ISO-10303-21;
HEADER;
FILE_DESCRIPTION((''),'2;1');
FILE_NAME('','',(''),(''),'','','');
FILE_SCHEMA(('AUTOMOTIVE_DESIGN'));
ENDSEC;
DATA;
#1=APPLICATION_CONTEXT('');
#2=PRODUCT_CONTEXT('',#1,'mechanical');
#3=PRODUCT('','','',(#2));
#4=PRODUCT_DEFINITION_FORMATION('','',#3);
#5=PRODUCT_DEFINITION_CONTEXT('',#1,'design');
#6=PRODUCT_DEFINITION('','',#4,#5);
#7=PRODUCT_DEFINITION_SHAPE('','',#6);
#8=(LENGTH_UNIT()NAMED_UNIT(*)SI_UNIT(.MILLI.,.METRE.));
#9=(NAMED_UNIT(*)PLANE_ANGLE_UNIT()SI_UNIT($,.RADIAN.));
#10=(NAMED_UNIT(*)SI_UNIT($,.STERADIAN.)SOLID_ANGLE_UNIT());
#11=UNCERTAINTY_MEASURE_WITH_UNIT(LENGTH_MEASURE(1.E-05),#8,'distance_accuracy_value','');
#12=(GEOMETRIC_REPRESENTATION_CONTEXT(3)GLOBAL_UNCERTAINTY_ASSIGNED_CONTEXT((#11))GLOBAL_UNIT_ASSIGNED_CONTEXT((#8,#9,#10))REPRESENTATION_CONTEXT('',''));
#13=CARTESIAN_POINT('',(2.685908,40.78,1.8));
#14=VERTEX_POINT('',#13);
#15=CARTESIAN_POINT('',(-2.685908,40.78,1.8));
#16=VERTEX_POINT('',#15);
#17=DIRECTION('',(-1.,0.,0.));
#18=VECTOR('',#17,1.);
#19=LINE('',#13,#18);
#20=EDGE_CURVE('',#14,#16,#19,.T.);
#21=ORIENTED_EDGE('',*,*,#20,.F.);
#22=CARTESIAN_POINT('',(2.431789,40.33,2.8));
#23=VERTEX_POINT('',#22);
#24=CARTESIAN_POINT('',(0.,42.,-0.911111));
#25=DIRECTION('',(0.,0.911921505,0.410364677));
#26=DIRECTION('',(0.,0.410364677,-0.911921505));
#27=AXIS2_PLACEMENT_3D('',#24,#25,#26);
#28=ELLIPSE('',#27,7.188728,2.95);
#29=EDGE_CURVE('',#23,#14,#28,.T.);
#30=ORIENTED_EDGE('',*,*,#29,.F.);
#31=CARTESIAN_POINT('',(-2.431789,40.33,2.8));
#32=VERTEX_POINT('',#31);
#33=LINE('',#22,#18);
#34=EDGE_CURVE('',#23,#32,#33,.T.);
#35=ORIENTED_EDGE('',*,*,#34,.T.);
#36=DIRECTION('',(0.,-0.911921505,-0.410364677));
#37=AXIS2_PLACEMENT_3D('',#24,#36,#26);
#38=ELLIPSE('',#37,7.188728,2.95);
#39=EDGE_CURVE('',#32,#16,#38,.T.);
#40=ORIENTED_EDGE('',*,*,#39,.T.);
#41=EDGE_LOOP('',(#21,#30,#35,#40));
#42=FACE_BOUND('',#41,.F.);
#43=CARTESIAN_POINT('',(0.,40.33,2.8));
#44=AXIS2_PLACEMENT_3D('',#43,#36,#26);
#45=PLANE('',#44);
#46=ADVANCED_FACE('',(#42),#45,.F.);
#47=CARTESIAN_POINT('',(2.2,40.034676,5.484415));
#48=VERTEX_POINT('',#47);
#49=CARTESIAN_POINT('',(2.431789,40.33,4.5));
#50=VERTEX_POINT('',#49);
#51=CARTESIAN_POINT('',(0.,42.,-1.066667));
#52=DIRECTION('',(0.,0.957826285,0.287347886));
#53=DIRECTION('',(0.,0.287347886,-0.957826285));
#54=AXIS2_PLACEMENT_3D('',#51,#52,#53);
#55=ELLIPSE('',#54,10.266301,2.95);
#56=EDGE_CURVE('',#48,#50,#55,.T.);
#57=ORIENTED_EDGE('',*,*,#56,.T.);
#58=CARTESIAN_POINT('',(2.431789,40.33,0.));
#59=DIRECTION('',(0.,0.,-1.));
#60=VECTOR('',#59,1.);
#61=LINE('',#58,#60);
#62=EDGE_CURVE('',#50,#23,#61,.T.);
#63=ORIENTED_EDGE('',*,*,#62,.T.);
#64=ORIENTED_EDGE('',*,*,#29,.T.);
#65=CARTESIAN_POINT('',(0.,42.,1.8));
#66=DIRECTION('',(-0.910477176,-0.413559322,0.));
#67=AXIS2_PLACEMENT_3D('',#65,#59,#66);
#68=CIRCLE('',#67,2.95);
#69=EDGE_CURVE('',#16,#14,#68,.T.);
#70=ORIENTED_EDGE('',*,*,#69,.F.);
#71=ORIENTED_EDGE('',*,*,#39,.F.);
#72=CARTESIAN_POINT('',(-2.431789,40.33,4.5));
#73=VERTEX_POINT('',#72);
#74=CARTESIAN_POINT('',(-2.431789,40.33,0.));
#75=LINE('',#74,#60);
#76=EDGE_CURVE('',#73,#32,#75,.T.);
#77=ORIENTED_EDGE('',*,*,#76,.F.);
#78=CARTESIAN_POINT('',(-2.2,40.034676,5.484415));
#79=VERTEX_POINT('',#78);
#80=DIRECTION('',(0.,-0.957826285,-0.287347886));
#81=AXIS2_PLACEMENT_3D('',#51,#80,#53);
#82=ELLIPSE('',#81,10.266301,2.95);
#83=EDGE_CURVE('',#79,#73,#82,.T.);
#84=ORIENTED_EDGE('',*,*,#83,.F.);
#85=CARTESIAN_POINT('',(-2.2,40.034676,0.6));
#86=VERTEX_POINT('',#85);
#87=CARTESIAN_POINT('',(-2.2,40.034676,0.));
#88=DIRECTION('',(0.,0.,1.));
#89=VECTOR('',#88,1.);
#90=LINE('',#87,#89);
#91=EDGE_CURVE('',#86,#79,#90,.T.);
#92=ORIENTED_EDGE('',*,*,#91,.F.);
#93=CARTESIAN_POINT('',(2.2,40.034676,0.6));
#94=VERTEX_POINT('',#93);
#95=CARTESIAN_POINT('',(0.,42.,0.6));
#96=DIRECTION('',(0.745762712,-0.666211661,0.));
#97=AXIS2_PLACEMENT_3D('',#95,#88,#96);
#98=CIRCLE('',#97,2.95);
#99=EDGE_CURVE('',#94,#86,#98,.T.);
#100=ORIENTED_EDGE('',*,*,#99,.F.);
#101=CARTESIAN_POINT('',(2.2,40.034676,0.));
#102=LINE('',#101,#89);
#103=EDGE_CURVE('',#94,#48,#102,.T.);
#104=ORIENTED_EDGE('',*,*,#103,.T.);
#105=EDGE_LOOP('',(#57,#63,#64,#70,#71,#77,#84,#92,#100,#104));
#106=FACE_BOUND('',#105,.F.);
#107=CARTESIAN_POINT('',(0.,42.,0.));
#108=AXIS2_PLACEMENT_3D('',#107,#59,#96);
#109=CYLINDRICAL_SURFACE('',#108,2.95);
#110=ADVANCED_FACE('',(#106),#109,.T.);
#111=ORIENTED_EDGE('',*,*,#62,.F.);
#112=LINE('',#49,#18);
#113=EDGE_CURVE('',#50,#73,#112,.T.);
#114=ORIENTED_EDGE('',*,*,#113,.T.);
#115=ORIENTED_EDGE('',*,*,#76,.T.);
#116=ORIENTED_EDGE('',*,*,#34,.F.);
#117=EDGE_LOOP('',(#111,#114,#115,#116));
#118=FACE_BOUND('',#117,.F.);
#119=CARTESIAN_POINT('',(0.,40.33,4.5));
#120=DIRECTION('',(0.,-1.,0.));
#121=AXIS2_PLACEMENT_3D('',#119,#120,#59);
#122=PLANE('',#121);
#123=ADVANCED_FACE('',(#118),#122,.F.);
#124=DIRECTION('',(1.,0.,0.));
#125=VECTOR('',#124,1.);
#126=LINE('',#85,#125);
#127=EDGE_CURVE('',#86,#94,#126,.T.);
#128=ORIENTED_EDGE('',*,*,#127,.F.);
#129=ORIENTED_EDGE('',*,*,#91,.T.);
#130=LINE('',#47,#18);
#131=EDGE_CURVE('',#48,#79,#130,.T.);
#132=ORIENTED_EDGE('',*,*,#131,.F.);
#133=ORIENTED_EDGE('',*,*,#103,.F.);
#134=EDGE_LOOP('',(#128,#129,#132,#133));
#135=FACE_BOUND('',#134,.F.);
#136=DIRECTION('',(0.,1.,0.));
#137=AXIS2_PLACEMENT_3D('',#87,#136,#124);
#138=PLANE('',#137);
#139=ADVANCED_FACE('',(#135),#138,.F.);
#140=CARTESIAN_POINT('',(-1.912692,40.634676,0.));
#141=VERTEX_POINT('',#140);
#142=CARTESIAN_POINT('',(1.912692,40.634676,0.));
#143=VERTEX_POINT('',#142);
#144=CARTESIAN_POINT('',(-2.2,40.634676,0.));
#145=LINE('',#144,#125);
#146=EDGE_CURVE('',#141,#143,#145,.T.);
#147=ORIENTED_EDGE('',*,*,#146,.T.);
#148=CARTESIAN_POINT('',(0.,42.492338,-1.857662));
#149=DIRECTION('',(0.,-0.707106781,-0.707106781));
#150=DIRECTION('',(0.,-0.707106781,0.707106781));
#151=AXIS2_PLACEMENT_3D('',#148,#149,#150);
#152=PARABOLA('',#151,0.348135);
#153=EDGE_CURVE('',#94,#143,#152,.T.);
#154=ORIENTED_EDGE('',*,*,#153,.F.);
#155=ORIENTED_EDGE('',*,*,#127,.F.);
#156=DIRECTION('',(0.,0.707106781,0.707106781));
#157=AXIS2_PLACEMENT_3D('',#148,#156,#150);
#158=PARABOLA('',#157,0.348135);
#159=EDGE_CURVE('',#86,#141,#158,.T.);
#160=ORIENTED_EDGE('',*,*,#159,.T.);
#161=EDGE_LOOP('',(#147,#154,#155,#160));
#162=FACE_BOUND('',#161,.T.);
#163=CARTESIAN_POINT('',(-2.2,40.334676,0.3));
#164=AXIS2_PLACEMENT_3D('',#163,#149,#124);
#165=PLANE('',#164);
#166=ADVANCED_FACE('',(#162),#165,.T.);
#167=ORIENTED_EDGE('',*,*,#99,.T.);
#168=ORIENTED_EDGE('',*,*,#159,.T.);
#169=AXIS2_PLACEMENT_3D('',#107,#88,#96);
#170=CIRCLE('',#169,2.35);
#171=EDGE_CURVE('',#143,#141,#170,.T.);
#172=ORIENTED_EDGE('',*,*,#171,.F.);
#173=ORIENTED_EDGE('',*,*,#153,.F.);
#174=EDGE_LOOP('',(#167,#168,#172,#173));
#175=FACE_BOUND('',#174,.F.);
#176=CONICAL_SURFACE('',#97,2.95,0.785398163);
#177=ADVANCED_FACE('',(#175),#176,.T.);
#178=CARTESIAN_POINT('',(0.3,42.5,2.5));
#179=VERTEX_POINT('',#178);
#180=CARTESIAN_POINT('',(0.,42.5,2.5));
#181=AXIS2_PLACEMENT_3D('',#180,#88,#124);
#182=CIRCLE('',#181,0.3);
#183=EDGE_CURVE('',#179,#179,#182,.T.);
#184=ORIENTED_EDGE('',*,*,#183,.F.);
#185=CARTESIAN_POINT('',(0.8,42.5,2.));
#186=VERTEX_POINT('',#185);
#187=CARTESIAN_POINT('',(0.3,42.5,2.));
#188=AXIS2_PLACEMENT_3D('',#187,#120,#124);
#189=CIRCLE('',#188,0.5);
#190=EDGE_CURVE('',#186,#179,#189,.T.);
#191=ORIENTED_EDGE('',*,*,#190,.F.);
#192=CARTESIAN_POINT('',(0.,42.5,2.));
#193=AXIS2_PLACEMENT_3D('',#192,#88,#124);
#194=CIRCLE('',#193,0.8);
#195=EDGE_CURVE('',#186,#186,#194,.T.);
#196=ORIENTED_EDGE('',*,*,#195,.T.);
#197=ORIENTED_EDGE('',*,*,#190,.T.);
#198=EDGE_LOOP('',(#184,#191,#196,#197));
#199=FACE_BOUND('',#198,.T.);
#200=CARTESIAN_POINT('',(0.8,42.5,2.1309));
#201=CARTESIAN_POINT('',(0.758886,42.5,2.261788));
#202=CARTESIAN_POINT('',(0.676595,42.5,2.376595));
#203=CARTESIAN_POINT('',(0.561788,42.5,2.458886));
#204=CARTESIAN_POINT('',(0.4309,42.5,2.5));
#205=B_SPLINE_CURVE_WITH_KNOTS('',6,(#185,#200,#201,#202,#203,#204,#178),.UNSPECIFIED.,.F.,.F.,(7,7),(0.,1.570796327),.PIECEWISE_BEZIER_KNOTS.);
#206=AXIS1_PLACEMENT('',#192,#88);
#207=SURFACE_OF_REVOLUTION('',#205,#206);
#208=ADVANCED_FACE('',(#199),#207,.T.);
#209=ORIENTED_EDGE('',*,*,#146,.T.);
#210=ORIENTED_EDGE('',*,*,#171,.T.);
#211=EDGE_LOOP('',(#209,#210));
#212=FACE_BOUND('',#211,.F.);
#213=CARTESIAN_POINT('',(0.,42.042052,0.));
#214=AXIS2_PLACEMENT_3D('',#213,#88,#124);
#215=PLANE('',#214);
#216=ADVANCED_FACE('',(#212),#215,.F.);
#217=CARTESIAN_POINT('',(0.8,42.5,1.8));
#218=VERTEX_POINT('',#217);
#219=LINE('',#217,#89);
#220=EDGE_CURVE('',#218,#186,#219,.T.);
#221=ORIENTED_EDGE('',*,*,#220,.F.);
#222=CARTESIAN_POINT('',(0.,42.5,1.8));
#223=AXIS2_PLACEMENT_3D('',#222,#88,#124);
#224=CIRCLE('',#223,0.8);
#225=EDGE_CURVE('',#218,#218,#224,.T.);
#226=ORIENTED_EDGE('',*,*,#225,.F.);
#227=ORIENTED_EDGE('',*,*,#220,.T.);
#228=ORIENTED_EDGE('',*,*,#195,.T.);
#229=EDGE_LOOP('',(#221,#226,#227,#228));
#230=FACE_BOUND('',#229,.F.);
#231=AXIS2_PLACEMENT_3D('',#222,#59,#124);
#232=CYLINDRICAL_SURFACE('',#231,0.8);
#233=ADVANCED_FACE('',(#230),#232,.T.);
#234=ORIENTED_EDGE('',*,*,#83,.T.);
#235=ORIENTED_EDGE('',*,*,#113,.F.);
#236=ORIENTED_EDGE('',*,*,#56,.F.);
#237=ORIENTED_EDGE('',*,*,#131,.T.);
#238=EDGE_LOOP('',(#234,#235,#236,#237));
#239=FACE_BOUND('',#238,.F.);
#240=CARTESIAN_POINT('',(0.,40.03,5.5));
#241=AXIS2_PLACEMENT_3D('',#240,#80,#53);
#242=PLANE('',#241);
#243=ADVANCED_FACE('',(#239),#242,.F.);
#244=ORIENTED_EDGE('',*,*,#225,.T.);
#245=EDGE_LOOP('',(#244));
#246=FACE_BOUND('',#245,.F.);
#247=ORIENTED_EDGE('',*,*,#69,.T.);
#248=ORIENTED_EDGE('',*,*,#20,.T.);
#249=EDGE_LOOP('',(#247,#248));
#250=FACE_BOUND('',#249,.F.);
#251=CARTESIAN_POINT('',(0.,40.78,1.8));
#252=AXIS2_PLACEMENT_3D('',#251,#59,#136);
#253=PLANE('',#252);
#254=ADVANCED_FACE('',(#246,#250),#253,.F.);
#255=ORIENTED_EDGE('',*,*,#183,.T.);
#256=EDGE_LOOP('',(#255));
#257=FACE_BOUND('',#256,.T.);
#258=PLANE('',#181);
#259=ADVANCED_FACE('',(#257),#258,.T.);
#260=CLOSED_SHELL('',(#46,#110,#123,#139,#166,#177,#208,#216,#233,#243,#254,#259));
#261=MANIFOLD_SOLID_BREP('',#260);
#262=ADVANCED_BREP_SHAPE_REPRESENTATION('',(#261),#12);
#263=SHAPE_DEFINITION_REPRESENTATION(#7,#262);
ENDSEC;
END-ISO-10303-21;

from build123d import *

# Parameters (mm, degrees)
PAD003_DEPTH         = 5.5
POCKET004_DEPTH      = 2.951
POCKET004_DEPTH_BACK = 2.951
SKETCH013_R          = 0.8
PAD006_DEPTH         = 0.7
FILLET_R             = 0.5
CHAMFER004_SIZE      = 0.6


with BuildPart() as part:
    # Sketch004 → Pad003 (new body)
    with BuildSketch(Plane.XY):
        with BuildLine():
            ThreePointArc((2.2, -1.9653244007), (0, 2.95), (-2.2, -1.9653244007))
            Line((-2.2, -1.9653244007), (2.2, -1.9653244007))
        make_face()
    extrude(amount=PAD003_DEPTH)

    # Sketch014 → Pocket004 (cut, two sides)
    with BuildSketch(Plane.YZ) as pocket004_sk:
        Polygon((-1.97, 5.5), (-1.67, 4.5), (-1.67, 2.8), (-1.22, 1.8), (4, 1.8), (4, 5.5), align=None)
    extrude(amount=-POCKET004_DEPTH, mode=Mode.SUBTRACT)
    extrude(pocket004_sk.sketch, amount=POCKET004_DEPTH_BACK, mode=Mode.SUBTRACT)

    # Sketch013 (on Face7 of Pocket004) → Pad006 (join)
    with BuildSketch(Plane.XY.offset(1.8)):
        with Locations((0, 0.5)):
            Circle(SKETCH013_R)
    extrude(amount=PAD006_DEPTH)

    # Fillet
    fillet_edges = [part.edges().sort_by_distance(p)[0] for p in [
        (-0.8, 0.5, 2.5),
    ]]
    fillet(fillet_edges, radius=FILLET_R)

    # Chamfer004
    chamfer004_edges = [part.edges().sort_by_distance(p)[0] for p in [
        (0, 2.95, 0),
        (0, -1.965324, 0),
    ]]
    chamfer(chamfer004_edges, length=CHAMFER004_SIZE)


with BuildPart() as part_1:
    # Body026 placement: moved
    add(part.part.moved(Location((0, 42, 0))))


solid = part_1.part
